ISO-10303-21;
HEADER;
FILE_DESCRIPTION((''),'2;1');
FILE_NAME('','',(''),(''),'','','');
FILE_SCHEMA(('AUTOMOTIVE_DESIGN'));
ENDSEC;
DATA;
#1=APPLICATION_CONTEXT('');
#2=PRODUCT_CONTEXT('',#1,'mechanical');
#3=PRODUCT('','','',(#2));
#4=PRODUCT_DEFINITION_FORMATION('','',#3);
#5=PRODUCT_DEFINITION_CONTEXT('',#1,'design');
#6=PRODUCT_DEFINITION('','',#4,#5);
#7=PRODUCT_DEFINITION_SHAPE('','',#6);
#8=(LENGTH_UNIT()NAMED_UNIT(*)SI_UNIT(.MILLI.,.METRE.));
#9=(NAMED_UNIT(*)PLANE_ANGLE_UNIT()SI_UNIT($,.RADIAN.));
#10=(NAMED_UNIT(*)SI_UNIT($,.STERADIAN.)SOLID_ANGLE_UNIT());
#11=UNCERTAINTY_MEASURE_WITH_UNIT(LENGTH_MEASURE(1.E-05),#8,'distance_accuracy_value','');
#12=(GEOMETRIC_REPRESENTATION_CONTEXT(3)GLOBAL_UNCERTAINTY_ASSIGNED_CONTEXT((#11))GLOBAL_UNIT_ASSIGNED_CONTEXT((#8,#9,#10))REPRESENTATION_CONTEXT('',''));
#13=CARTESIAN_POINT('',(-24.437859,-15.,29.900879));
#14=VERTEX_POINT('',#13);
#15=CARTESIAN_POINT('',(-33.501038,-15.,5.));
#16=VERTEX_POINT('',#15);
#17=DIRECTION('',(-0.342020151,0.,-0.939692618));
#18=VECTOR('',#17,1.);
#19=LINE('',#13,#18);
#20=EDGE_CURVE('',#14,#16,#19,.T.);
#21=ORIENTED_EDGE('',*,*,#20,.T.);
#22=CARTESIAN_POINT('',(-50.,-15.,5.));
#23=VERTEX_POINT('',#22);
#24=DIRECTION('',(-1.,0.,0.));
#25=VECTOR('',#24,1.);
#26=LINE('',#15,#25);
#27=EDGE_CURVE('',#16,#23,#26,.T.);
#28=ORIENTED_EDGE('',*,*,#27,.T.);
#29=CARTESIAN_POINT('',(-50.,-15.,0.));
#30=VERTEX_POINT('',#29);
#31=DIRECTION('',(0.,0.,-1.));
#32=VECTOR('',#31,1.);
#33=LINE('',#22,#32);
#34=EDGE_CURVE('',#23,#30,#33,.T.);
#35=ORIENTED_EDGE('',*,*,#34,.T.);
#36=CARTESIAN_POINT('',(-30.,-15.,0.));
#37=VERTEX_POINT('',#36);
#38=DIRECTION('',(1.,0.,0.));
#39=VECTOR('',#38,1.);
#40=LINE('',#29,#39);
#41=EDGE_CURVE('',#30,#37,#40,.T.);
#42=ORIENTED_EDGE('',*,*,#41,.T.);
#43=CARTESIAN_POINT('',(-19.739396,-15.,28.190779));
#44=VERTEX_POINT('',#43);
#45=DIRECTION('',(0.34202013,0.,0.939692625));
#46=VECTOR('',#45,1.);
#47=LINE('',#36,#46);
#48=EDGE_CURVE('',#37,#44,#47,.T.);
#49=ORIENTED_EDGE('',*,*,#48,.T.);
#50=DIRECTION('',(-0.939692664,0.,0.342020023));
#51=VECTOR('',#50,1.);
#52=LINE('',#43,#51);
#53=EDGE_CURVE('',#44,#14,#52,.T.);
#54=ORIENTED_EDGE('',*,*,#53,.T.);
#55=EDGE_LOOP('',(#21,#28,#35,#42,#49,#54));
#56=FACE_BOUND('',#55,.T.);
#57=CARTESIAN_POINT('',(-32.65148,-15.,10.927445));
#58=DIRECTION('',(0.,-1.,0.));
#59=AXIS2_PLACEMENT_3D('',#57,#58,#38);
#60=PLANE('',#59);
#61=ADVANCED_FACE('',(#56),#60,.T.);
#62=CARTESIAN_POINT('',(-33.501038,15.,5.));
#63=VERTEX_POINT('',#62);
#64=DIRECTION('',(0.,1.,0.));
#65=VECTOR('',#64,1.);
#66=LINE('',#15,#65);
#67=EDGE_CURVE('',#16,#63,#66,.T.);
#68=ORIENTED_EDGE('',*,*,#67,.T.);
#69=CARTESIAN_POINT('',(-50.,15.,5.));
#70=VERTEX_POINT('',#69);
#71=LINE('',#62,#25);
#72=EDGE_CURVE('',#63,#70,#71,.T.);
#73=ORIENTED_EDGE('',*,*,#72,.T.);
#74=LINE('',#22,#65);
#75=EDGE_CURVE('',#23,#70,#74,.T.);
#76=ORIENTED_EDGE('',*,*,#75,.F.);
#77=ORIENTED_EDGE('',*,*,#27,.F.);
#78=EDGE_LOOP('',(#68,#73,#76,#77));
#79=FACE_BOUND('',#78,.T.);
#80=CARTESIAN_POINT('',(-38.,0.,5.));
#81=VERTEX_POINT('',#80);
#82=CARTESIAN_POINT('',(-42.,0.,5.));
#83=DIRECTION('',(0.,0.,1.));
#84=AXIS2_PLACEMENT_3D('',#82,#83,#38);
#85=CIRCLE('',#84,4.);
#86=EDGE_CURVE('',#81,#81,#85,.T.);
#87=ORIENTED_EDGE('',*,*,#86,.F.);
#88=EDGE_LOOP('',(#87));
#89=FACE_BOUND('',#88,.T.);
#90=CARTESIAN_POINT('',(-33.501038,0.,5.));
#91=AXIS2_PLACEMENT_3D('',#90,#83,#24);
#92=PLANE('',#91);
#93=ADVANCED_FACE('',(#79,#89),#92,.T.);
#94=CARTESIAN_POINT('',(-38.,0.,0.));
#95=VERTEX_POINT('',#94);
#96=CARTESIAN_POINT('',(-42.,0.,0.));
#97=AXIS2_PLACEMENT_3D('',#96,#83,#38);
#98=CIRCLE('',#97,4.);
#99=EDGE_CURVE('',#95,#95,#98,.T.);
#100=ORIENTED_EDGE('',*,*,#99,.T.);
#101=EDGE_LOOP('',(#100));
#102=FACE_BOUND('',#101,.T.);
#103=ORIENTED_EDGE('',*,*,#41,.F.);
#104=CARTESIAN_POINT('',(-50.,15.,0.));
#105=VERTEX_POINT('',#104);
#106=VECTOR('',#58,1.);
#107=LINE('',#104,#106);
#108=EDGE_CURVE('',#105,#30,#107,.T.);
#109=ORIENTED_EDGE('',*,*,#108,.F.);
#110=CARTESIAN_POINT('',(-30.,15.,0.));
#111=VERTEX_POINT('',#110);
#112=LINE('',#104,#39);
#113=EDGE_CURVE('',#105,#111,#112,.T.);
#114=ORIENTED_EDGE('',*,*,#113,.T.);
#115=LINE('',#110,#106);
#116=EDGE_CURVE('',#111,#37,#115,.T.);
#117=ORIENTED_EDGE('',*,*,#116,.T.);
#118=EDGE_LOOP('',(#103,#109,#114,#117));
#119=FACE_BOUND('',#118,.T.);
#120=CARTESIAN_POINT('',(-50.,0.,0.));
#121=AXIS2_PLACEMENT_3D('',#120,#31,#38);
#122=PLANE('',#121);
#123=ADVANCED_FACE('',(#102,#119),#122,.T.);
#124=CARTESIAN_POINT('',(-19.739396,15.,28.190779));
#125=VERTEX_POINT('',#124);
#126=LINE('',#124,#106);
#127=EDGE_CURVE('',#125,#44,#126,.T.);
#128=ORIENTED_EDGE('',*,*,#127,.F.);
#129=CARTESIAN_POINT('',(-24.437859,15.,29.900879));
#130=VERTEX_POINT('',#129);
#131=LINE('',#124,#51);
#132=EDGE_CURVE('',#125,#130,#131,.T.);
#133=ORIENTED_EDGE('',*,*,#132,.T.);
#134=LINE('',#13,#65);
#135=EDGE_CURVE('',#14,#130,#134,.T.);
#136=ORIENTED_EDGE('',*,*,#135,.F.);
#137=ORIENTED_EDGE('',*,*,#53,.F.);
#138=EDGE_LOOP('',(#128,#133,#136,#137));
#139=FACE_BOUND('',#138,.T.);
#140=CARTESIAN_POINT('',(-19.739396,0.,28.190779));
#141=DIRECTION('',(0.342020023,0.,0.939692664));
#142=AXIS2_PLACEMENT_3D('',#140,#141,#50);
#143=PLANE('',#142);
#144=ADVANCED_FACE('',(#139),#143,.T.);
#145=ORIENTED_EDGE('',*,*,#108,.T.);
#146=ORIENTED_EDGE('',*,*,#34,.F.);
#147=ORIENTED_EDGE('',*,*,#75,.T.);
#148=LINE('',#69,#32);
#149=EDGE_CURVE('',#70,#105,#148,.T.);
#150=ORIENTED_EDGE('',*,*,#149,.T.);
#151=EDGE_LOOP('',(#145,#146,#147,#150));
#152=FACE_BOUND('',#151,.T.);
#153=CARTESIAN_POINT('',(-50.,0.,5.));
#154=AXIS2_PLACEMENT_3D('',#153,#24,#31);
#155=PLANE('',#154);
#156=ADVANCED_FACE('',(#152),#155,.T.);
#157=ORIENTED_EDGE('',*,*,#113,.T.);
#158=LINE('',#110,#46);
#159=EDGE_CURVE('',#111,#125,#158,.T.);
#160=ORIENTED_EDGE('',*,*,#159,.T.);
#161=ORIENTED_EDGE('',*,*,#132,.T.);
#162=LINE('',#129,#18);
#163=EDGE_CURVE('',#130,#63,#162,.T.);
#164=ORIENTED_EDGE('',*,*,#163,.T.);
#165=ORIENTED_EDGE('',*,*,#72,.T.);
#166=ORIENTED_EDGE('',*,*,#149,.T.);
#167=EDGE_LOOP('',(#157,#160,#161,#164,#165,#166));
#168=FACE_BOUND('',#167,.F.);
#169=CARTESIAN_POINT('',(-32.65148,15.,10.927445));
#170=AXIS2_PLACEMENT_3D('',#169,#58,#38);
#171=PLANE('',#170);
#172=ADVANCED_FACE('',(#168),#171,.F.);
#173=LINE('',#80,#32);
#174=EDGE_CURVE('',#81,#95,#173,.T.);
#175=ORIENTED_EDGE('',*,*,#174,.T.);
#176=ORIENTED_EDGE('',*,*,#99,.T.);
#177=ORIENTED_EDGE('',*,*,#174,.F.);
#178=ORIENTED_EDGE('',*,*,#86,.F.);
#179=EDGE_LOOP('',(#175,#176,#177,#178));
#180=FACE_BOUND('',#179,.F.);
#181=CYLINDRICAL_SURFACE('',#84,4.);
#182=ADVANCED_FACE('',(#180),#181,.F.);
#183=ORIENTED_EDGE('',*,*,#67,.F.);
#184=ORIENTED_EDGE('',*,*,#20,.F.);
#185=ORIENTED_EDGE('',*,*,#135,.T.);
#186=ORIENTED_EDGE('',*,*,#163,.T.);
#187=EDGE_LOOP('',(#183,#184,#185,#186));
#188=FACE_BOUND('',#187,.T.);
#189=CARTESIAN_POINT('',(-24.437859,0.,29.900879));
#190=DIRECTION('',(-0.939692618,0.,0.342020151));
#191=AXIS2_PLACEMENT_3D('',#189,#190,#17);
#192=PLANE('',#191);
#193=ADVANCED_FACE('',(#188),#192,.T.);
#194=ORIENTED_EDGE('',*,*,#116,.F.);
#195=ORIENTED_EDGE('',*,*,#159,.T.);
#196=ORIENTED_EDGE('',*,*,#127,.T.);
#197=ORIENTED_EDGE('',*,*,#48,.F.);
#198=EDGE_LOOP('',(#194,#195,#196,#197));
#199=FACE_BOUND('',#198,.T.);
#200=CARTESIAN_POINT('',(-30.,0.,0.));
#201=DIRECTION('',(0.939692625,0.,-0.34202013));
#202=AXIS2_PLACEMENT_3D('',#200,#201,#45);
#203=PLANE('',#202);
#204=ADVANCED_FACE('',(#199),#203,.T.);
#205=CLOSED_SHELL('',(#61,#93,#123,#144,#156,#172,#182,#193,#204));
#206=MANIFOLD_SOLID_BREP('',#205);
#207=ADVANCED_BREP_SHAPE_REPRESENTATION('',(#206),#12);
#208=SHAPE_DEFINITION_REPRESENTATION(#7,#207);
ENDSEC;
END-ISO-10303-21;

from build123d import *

# Parameters (mm, degrees)
F1_DEPTH = 15
F2_R     = 4
F3_DEPTH = 25


with BuildPart() as f1:
    # F0 (on Front) → F1 (new body, symmetric)
    with BuildSketch(Plane.XZ):
        Polygon((-50, 5), (-50, 0), (-30, 0), (-19.739396, 28.190779), (-24.437859, 29.900879), (-33.501038, 5), align=None)
    extrude(amount=F1_DEPTH, both=True)

    # F2 (on face) → F3 (cut)
    with BuildSketch(Plane.XY.offset(5)):
        with Locations((-42, 0)):
            Circle(F2_R)
    extrude(amount=-F3_DEPTH, mode=Mode.SUBTRACT)


solid = f1.part
